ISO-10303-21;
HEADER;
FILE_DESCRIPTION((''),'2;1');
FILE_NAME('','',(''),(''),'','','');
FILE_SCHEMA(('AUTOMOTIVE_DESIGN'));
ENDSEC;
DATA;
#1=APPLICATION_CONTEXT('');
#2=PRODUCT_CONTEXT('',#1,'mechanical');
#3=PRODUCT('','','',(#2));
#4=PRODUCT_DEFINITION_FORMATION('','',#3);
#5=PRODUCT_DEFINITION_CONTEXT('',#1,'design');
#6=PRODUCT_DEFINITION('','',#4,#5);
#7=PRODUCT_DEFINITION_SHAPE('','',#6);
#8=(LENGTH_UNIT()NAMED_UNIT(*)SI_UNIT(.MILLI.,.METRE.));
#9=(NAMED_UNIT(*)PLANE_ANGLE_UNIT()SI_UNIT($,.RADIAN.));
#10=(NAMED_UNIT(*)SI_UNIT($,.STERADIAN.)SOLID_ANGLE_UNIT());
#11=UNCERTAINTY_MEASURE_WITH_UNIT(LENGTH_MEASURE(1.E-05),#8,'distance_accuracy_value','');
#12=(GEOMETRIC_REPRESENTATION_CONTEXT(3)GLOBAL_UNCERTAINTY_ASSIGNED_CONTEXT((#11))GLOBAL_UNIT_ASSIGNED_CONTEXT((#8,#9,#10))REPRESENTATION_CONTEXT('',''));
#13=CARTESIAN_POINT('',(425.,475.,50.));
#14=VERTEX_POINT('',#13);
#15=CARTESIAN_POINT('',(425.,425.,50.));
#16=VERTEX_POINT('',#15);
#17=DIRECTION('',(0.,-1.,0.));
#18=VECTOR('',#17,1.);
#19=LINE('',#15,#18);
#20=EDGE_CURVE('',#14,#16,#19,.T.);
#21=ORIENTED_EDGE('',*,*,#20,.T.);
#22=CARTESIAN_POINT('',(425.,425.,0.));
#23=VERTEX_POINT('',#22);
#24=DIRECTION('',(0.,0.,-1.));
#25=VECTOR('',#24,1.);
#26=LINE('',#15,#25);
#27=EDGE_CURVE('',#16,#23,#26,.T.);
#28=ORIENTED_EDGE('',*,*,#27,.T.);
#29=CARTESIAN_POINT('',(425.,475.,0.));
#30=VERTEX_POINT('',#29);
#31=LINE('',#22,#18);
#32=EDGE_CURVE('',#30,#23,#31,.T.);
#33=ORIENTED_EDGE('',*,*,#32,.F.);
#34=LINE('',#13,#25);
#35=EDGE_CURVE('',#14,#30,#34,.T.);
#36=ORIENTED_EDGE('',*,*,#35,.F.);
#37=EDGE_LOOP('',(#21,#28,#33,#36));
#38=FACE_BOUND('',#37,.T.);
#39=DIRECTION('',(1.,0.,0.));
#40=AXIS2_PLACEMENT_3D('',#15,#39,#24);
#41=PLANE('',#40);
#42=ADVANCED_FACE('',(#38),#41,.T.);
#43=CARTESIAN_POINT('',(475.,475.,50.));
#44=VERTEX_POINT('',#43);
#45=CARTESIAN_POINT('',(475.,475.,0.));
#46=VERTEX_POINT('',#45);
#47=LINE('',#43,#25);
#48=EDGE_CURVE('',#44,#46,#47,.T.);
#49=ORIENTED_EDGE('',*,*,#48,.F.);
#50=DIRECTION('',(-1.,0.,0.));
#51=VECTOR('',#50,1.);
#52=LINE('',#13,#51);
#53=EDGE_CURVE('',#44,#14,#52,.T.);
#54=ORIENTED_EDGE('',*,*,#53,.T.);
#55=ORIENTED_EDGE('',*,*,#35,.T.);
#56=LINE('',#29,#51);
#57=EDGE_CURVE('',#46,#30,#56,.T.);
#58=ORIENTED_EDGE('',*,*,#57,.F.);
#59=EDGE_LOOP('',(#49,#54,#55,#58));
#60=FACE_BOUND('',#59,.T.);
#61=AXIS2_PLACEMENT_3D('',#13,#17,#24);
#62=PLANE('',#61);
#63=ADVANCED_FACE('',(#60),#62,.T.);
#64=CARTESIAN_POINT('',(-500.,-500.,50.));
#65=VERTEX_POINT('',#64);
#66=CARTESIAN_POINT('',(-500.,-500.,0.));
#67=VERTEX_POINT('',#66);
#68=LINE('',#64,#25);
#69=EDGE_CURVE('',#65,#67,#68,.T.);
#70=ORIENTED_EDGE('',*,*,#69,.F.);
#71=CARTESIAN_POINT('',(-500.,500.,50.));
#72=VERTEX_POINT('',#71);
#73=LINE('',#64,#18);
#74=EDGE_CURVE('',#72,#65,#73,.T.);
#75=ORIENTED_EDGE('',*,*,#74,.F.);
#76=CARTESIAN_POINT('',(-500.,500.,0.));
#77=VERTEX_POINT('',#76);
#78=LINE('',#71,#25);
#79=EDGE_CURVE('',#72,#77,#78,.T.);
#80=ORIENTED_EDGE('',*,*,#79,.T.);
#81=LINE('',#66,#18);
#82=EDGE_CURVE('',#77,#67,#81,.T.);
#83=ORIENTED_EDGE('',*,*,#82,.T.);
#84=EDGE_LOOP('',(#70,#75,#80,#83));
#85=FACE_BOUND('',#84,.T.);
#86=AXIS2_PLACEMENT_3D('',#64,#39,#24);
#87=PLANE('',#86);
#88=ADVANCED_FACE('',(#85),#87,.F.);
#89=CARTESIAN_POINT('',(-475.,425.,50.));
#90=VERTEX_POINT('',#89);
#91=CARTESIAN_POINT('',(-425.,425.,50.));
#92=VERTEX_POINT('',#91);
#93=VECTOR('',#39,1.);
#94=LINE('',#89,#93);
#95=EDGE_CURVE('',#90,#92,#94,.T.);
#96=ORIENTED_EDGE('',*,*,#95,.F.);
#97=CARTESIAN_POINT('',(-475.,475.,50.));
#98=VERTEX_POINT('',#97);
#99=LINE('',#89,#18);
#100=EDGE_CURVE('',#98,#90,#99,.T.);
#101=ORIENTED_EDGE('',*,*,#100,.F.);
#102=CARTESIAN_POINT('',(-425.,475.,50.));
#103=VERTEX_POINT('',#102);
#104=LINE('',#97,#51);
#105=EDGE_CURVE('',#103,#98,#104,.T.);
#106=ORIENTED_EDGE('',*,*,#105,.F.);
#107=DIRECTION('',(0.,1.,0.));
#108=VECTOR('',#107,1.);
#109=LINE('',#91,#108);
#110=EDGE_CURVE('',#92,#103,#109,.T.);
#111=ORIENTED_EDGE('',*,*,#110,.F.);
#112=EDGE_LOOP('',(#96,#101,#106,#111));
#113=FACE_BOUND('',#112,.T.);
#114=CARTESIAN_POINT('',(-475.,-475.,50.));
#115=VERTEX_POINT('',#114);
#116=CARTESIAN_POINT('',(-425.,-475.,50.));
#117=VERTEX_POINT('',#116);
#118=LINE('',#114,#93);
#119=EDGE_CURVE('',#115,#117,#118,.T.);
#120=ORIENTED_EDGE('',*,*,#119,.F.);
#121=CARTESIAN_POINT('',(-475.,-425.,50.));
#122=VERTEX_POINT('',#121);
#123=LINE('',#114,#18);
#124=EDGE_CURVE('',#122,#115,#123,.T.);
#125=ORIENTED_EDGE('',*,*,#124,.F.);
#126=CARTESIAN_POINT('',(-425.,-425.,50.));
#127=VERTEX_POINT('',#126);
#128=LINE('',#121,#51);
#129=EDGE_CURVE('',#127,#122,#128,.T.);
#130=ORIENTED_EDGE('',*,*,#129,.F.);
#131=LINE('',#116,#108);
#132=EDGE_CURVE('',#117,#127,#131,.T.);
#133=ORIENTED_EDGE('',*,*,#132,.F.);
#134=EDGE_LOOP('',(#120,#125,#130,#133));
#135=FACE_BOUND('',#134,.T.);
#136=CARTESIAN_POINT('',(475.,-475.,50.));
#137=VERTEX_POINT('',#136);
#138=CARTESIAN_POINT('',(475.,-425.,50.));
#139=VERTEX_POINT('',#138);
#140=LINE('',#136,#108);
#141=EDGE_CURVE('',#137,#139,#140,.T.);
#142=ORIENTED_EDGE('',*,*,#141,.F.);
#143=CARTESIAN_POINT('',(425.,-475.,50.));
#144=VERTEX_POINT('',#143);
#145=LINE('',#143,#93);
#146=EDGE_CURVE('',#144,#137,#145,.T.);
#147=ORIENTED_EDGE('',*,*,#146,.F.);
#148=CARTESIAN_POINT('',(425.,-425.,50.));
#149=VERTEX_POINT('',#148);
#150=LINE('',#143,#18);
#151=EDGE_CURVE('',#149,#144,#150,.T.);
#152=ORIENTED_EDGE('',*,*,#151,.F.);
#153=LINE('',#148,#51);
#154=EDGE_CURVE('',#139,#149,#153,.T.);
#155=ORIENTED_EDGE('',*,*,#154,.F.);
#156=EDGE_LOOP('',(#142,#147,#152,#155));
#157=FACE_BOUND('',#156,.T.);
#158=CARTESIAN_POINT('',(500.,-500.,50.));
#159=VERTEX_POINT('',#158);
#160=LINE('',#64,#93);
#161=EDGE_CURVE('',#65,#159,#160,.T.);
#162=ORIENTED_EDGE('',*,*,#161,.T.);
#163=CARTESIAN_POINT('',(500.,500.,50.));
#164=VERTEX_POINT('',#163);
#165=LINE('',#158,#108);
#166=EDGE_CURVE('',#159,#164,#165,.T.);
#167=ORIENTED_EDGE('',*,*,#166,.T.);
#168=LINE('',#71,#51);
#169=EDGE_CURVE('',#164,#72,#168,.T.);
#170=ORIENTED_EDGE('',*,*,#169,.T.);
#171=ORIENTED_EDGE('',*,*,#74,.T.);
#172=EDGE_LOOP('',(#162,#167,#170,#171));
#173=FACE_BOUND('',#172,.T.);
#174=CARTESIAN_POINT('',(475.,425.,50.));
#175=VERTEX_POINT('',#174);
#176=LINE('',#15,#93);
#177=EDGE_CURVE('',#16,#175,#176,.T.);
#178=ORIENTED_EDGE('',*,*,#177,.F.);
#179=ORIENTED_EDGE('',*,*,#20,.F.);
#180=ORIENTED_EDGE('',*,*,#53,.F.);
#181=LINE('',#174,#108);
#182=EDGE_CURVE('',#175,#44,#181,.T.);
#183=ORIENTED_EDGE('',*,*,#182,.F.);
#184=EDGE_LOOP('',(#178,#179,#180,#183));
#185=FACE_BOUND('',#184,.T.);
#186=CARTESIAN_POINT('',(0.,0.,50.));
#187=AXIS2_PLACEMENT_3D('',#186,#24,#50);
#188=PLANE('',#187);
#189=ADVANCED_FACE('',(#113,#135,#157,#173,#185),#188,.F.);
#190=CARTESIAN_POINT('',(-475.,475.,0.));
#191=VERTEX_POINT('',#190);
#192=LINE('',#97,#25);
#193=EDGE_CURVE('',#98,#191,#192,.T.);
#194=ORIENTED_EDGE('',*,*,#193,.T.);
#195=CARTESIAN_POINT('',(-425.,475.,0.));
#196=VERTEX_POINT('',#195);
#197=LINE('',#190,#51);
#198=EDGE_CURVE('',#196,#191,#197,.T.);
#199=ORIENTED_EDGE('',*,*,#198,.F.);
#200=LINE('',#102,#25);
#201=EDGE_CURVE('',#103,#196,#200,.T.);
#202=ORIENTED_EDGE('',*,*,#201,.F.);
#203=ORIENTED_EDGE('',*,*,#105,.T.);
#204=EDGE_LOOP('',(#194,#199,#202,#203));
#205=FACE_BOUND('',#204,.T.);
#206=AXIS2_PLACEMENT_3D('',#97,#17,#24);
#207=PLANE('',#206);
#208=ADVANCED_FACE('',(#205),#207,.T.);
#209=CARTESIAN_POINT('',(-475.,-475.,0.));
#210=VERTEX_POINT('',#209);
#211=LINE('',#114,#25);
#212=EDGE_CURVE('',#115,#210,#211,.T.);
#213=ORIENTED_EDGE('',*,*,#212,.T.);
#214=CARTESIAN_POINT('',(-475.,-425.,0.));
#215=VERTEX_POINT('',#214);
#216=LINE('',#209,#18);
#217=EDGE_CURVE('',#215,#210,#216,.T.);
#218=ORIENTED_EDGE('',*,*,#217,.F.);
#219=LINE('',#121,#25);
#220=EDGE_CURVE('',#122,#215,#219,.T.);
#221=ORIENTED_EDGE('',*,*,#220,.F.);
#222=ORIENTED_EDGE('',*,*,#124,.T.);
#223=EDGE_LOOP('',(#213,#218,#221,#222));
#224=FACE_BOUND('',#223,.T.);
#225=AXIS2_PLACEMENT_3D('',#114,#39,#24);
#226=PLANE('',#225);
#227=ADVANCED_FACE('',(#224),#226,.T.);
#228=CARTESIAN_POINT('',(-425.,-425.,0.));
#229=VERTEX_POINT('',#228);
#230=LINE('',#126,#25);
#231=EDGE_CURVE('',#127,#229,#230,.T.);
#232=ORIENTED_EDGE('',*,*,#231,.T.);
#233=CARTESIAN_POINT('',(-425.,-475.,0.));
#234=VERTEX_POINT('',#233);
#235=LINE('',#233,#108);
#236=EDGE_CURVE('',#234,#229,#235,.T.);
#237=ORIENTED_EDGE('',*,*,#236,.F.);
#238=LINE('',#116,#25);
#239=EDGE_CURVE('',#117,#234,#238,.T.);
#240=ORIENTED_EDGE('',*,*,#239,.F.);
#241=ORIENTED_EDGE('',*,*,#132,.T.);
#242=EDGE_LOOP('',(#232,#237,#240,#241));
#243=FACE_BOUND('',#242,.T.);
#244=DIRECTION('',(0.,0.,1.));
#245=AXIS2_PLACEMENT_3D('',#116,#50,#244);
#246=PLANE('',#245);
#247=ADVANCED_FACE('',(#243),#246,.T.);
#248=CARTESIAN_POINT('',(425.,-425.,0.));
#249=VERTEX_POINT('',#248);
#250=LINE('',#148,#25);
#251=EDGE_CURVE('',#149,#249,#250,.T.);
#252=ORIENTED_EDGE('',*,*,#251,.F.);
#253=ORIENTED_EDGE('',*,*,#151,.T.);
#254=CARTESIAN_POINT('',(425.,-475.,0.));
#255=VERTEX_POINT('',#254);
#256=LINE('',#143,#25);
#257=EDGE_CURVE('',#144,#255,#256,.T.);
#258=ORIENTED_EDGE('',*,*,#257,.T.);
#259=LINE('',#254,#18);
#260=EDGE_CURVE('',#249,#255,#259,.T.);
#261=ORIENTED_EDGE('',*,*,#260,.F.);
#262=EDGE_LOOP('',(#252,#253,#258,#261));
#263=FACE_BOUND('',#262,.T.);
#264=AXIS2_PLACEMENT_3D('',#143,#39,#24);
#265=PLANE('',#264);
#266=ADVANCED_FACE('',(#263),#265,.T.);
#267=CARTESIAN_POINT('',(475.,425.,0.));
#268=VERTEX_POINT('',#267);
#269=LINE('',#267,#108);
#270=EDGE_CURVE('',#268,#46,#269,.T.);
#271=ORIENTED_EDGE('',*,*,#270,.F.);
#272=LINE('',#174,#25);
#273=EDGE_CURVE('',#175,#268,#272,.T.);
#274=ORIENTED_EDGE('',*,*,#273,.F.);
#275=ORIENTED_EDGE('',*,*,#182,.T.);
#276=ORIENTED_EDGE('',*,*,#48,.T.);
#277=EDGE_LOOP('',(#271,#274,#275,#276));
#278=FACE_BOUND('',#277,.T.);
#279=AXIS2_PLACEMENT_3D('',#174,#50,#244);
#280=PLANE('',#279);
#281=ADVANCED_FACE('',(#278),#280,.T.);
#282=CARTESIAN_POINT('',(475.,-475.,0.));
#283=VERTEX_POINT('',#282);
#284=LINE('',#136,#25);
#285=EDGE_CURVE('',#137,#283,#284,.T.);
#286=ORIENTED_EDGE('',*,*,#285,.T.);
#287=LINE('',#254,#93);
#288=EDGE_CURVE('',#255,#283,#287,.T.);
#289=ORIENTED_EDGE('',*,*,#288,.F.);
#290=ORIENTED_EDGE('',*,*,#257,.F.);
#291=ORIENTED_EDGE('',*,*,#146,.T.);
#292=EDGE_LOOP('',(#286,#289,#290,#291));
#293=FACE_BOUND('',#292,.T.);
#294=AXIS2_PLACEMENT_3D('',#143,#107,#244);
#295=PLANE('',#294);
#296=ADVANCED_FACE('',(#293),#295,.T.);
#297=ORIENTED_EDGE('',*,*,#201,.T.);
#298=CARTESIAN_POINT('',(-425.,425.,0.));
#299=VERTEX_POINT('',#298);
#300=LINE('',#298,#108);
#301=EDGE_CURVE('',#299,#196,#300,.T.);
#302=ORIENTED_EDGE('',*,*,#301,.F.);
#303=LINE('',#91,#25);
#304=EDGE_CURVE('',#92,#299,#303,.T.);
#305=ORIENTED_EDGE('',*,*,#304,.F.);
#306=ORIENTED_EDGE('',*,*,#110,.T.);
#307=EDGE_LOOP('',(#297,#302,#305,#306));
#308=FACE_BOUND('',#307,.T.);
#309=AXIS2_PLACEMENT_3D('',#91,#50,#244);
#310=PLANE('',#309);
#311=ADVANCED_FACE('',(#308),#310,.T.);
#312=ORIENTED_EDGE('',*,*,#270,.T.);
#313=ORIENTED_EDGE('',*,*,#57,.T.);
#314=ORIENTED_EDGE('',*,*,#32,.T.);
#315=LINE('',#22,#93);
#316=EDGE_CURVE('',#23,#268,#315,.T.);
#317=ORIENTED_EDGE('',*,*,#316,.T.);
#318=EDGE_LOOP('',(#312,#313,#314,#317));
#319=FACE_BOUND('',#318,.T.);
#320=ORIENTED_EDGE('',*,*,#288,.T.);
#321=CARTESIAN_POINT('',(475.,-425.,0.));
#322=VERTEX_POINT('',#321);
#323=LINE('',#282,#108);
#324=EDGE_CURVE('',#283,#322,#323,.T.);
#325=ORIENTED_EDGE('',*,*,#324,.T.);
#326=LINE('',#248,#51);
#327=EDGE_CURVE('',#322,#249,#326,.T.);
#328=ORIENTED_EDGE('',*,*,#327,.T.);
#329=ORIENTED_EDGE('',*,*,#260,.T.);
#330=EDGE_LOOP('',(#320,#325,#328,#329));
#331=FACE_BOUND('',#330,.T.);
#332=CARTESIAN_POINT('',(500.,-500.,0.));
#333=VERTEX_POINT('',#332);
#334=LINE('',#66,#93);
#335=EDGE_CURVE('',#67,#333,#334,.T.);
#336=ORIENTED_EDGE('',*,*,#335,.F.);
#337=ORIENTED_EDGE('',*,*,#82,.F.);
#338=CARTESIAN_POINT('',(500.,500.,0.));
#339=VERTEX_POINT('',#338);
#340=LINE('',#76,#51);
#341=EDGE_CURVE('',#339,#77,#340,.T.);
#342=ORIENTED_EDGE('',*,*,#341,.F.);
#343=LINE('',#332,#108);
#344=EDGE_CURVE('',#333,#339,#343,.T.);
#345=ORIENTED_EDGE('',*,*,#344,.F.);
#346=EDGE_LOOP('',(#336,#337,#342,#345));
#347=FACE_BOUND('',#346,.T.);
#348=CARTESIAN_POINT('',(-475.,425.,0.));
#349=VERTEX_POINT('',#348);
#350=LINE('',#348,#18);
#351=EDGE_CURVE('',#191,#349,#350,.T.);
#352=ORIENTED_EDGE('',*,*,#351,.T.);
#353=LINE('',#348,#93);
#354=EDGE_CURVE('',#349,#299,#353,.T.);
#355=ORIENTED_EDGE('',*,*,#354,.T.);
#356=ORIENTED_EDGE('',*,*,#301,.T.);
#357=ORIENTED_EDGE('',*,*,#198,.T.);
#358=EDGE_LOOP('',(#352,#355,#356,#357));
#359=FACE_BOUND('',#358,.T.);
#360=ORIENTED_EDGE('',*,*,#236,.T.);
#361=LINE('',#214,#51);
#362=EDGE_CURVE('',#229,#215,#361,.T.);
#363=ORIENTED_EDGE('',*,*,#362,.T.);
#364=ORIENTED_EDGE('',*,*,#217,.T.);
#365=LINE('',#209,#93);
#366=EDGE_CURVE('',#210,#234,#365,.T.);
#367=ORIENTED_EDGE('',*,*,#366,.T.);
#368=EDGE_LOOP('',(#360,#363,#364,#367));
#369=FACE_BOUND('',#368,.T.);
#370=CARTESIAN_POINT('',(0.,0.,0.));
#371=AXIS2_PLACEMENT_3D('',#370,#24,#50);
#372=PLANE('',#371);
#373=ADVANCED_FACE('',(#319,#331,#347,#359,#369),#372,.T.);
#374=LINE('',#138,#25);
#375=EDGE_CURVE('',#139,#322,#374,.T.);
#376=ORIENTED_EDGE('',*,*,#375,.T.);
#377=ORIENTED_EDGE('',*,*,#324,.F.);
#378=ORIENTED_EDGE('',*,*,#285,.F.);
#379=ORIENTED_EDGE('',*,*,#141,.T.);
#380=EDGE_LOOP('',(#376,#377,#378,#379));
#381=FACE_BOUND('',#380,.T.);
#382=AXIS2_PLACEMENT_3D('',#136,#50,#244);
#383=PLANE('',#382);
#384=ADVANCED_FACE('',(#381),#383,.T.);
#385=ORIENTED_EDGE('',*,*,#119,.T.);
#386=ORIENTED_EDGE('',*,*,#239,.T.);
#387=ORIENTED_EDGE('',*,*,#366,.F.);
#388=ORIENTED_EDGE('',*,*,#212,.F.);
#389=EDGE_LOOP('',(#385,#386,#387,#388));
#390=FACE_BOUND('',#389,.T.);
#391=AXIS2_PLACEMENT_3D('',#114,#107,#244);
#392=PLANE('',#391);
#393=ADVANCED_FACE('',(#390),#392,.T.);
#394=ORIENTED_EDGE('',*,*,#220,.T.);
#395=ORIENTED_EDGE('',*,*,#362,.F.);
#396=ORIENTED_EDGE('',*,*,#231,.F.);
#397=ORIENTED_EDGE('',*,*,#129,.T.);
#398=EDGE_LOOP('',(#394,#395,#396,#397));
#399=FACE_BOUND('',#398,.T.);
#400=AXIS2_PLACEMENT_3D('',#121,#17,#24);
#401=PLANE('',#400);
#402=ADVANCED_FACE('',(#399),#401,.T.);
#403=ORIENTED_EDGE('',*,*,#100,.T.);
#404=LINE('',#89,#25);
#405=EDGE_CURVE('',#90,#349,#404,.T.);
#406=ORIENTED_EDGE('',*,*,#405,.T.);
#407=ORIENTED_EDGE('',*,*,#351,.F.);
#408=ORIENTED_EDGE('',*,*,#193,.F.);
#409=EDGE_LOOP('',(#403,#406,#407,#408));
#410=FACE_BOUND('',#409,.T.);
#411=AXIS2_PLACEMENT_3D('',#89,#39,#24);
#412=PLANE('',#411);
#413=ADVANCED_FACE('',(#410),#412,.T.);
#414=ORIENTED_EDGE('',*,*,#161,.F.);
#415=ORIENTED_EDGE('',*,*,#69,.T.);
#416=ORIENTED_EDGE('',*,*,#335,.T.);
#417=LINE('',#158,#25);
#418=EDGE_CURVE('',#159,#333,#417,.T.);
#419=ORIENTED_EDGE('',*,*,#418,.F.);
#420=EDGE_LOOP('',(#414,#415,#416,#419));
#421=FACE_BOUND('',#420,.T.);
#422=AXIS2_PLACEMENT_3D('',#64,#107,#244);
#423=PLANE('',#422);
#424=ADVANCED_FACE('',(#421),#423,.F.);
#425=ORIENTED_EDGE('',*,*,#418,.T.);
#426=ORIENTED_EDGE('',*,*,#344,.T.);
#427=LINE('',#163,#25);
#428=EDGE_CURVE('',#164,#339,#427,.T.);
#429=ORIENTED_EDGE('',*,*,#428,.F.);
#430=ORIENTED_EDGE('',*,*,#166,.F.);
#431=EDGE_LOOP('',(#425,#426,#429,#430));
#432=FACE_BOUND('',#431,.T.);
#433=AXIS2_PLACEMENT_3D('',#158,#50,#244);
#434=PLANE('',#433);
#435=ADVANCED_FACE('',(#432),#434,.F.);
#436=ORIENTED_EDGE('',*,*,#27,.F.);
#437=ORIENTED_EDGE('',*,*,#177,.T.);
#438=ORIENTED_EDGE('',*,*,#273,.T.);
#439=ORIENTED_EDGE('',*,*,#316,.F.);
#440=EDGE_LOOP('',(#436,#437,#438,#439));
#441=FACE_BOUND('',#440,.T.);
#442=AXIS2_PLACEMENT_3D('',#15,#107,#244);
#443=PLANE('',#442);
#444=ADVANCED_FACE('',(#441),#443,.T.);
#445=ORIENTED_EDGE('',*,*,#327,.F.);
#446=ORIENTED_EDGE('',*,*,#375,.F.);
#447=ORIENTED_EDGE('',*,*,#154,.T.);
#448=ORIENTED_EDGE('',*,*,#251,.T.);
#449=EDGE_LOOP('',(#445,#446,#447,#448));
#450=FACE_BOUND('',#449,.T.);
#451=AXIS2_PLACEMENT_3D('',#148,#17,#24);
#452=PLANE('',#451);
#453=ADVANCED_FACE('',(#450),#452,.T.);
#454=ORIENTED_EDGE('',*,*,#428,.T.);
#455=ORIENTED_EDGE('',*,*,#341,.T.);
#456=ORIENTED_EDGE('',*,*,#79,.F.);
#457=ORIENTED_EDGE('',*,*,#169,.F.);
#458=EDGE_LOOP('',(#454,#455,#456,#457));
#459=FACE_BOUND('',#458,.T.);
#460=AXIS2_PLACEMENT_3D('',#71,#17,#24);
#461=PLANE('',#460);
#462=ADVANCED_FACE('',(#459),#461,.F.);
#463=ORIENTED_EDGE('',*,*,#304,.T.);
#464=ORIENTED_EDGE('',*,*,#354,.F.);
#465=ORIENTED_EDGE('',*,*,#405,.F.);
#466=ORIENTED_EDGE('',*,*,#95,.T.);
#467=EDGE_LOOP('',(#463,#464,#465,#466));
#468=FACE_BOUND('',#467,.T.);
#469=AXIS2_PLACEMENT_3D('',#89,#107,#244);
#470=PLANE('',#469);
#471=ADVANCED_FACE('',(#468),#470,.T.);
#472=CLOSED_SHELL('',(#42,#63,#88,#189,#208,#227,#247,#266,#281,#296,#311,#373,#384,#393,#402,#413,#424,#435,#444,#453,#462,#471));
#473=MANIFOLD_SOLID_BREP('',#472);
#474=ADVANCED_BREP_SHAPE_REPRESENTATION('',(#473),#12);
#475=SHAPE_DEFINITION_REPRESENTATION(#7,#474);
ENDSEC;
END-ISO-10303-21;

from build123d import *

# Parameters (mm, degrees)
SKETCH_1_W          = 1000
SKETCH_1_H          = 1000
EXTRUDE_1_DEPTH     = 50
SKETCH_2_W          = 50
SKETCH_2_H          = 50
CUT_EXTRUDE_1_DEPTH = 709.872343938
SKETCH_3_W          = 50
SKETCH_3_H          = 50
CUT_EXTRUDE_2_DEPTH = 709.872343938
SKETCH_4_W          = 50
SKETCH_4_H          = 50
CUT_EXTRUDE_3_DEPTH = 709.872343938
SKETCH_5_W          = 50
SKETCH_5_H          = 50
CUT_EXTRUDE_4_DEPTH = 709.872343938


with BuildPart() as part:
    # 草图1 → 凸台-拉伸1 (new body)
    with BuildSketch(Plane.XY):
        Rectangle(SKETCH_1_W, SKETCH_1_H)
    extrude(amount=EXTRUDE_1_DEPTH)

    # 草图2 → 切除-拉伸1 (cut, through all)
    with BuildSketch(Plane.XY):
        with Locations((450, 450)):
            Rectangle(SKETCH_2_W, SKETCH_2_H)
    extrude(amount=CUT_EXTRUDE_1_DEPTH, mode=Mode.SUBTRACT)

    # 草图3 → 切除-拉伸2 (cut, through all)
    with BuildSketch(Plane.XY):
        with Locations((-450, 450)):
            Rectangle(SKETCH_3_W, SKETCH_3_H)
    extrude(amount=CUT_EXTRUDE_2_DEPTH, mode=Mode.SUBTRACT)

    # 草图4 → 切除-拉伸3 (cut, through all)
    with BuildSketch(Plane.XY):
        with Locations((450, -450)):
            Rectangle(SKETCH_4_W, SKETCH_4_H)
    extrude(amount=CUT_EXTRUDE_3_DEPTH, mode=Mode.SUBTRACT)

    # 草图5 → 切除-拉伸4 (cut, through all)
    with BuildSketch(Plane.XY):
        with Locations((-450, -450)):
            Rectangle(SKETCH_5_W, SKETCH_5_H)
    extrude(amount=CUT_EXTRUDE_4_DEPTH, mode=Mode.SUBTRACT)


solid = part.part
